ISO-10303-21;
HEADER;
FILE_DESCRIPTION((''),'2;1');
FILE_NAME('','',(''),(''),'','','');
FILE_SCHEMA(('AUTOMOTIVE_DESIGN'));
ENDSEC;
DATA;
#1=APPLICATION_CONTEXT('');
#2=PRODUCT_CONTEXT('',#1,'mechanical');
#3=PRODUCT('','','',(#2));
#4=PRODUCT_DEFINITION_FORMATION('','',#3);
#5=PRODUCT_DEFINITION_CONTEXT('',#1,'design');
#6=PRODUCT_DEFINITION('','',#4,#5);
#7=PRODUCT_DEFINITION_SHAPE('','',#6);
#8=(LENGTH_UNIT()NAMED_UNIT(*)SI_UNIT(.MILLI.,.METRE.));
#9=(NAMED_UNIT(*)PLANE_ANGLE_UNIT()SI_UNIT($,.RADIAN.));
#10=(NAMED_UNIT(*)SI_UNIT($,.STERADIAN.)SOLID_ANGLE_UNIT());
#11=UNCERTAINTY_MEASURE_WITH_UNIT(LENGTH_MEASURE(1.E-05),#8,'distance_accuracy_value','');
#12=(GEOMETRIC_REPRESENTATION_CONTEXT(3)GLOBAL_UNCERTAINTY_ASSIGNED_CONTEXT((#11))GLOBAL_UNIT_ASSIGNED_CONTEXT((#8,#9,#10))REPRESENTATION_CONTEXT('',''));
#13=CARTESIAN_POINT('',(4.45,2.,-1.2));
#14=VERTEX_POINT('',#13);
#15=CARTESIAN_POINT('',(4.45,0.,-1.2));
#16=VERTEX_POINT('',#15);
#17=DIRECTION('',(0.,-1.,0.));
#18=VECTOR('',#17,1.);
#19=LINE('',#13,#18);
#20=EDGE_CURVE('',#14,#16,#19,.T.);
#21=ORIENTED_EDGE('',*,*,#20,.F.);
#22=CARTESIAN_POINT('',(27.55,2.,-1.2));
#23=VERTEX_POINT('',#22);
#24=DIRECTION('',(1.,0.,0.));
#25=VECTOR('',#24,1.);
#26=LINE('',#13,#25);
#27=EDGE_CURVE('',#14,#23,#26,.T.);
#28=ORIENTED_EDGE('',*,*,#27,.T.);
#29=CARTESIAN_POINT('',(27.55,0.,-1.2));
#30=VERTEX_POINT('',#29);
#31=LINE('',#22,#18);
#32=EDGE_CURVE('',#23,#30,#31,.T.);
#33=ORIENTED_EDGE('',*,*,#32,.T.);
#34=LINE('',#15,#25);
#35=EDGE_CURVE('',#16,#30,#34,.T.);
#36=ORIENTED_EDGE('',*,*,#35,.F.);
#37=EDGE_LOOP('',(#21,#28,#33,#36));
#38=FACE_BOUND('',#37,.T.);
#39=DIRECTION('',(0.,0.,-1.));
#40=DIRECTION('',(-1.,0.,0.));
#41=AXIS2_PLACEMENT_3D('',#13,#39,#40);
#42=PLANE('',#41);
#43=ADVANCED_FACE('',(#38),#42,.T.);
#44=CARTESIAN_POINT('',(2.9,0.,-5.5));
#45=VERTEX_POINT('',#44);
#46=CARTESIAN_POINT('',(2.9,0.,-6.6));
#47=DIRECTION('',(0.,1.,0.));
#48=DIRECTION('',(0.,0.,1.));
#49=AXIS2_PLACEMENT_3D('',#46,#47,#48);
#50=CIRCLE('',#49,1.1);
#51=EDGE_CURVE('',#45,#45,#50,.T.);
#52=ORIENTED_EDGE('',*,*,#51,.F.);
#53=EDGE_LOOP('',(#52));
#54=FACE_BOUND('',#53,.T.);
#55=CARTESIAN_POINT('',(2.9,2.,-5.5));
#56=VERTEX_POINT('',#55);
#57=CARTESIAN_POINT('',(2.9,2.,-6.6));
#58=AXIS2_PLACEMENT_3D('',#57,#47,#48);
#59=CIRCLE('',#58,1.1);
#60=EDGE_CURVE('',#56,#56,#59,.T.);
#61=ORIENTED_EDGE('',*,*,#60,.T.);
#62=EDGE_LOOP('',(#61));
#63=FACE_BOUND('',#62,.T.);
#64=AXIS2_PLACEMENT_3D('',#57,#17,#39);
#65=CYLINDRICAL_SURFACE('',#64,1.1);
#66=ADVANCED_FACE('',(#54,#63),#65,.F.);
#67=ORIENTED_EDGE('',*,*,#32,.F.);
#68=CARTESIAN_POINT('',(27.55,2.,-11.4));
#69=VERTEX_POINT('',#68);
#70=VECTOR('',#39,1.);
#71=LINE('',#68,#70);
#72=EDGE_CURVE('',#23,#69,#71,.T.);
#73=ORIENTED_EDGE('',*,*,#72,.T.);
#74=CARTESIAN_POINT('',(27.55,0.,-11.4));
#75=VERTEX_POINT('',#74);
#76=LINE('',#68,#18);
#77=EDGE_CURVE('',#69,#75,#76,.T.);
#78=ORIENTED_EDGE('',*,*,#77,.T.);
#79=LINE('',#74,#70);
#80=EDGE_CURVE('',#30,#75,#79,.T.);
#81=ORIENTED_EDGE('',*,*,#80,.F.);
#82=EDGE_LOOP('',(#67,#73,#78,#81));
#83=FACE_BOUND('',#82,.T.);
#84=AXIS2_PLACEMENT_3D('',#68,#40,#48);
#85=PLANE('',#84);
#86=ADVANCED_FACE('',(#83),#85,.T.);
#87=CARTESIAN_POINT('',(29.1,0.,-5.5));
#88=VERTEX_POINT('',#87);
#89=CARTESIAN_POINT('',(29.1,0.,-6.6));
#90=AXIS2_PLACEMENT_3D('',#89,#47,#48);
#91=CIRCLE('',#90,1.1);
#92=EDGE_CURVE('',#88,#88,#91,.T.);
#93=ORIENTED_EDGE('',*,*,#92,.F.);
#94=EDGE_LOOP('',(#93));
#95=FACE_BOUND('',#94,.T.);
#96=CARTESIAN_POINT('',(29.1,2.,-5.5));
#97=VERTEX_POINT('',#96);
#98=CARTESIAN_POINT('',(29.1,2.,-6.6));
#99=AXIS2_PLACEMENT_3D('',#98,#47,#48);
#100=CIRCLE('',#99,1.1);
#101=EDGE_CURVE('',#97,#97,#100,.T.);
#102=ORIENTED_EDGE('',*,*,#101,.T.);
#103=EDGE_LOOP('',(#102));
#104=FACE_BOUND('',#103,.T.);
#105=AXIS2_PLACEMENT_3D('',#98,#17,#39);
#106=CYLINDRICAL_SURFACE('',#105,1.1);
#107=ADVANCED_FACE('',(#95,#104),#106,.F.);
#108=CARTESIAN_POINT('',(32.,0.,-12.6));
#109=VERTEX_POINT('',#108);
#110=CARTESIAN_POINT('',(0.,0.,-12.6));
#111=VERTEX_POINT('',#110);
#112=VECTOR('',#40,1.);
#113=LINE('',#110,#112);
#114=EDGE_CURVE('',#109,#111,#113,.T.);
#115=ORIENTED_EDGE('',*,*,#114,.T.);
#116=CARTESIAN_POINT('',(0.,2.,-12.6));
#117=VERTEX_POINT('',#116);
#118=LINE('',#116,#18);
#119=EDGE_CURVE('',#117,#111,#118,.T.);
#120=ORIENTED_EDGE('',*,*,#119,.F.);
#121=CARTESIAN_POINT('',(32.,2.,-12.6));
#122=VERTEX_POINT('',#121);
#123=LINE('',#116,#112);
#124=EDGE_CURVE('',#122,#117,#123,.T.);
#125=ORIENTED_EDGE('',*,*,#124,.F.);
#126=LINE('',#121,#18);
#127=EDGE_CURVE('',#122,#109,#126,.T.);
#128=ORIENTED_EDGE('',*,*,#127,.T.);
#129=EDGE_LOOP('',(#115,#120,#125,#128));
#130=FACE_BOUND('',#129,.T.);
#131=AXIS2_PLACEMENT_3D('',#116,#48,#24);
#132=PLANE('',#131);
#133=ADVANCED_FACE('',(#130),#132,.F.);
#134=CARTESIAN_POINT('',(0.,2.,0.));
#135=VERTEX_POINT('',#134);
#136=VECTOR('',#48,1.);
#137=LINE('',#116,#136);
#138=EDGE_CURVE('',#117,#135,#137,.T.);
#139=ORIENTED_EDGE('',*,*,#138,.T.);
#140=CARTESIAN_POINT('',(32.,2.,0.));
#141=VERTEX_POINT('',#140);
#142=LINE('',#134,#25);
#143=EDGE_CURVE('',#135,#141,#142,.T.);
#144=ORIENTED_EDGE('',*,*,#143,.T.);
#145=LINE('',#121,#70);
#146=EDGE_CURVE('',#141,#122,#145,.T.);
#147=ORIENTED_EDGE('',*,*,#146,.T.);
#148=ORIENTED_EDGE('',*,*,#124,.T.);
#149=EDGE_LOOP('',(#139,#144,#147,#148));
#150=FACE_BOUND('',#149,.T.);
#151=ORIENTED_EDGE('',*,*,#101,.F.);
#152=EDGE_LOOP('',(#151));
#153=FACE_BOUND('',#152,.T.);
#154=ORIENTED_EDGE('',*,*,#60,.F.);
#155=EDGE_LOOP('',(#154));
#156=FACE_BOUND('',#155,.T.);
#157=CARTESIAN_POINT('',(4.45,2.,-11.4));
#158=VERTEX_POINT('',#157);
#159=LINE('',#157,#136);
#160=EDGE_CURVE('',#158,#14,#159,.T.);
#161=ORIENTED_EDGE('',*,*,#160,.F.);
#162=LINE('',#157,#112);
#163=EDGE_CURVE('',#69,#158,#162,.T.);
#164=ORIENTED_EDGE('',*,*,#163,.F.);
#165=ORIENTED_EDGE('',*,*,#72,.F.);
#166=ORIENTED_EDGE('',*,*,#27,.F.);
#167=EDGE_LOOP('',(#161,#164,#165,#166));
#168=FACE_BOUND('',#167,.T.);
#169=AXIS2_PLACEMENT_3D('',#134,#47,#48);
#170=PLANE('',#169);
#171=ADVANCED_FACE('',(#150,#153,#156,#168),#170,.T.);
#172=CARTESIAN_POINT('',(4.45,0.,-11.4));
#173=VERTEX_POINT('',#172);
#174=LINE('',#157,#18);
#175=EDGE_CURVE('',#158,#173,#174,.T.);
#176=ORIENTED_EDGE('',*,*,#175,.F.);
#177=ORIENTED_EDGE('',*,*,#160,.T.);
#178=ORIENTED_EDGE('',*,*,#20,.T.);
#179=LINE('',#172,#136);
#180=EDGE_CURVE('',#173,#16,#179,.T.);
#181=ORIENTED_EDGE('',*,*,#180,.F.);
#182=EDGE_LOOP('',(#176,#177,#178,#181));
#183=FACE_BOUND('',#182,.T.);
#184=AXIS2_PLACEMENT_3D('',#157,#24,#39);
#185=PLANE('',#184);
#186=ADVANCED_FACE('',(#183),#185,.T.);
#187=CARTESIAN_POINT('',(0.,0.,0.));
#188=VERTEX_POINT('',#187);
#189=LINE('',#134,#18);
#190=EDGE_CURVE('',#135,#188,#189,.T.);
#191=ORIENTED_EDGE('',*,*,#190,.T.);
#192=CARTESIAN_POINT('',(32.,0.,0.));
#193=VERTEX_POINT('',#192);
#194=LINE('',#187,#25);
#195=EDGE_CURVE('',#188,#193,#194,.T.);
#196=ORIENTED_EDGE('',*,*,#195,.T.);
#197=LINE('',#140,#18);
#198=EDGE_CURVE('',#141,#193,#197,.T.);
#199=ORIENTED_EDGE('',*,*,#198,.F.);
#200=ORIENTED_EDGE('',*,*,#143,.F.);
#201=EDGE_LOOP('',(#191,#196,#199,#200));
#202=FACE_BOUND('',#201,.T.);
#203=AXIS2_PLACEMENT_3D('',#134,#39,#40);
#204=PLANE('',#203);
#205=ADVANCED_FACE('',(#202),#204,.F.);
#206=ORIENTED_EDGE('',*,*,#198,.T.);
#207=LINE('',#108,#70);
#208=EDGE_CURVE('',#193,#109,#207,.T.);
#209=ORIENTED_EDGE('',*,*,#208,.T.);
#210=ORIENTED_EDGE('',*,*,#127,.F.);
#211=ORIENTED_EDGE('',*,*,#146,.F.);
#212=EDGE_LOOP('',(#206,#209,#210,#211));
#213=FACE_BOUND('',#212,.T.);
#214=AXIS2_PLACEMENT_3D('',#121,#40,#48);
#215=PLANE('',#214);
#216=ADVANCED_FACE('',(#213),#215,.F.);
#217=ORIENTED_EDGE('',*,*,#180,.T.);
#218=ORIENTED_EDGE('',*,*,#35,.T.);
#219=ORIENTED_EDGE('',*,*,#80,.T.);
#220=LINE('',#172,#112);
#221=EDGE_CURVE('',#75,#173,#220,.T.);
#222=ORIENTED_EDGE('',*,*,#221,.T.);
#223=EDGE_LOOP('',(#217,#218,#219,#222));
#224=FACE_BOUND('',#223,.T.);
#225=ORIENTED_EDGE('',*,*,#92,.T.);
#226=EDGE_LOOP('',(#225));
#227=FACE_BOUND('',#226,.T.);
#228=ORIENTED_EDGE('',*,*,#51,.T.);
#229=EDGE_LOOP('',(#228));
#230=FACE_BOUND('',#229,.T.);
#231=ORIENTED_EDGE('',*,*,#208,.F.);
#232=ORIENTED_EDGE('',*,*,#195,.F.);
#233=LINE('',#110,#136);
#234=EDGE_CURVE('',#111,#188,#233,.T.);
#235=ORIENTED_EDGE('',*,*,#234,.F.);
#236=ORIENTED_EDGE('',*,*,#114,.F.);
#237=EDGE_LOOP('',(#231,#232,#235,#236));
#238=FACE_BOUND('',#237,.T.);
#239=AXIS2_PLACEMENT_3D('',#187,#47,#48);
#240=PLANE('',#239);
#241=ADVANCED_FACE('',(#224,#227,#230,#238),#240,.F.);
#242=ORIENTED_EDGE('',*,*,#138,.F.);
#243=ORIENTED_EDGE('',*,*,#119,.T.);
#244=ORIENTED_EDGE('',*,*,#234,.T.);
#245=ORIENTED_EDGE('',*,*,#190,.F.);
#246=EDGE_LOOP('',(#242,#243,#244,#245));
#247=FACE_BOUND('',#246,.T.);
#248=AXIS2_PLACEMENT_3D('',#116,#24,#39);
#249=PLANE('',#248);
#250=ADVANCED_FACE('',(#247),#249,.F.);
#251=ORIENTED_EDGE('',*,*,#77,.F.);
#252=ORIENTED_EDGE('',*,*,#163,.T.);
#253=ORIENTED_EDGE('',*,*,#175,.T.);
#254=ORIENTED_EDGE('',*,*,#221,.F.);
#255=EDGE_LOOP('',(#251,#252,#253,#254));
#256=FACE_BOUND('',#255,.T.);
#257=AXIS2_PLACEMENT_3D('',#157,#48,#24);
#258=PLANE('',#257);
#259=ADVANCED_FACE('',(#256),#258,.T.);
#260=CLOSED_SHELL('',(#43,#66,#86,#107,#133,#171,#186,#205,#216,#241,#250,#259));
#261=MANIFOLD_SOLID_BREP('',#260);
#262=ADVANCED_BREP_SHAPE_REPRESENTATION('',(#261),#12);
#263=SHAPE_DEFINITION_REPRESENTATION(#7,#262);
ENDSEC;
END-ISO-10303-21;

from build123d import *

# Parameters (mm, degrees)
SCHIZZO1_W                   = 32
SCHIZZO1_H                   = 12.6
SCHIZZO1_R                   = 1.1
SCHIZZO1_W_2                 = 23.1
SCHIZZO1_H_2                 = 10.2
ESTRUSIONE_ESTRUSIONE1_DEPTH = 2


with BuildPart() as part:
    # Schizzo1 → Estrusione-Estrusione1 (new body)
    with BuildSketch(Plane(origin=(0, 0, 0), x_dir=(1, 0, 0), z_dir=(0, 1, 0))):
        with Locations((16, 6.3)):
            Rectangle(SCHIZZO1_W, SCHIZZO1_H)
        with Locations(Location((2.9, 6.6, 0), (0, 0, 270))):
            Circle(SCHIZZO1_R, mode=Mode.SUBTRACT)
        with Locations(Location((29.1, 6.6, 0), (0, 0, 270))):
            Circle(SCHIZZO1_R, mode=Mode.SUBTRACT)
        with Locations((16, 6.3)):
            Rectangle(SCHIZZO1_W_2, SCHIZZO1_H_2, mode=Mode.SUBTRACT)
    extrude(amount=ESTRUSIONE_ESTRUSIONE1_DEPTH)


solid = part.part
